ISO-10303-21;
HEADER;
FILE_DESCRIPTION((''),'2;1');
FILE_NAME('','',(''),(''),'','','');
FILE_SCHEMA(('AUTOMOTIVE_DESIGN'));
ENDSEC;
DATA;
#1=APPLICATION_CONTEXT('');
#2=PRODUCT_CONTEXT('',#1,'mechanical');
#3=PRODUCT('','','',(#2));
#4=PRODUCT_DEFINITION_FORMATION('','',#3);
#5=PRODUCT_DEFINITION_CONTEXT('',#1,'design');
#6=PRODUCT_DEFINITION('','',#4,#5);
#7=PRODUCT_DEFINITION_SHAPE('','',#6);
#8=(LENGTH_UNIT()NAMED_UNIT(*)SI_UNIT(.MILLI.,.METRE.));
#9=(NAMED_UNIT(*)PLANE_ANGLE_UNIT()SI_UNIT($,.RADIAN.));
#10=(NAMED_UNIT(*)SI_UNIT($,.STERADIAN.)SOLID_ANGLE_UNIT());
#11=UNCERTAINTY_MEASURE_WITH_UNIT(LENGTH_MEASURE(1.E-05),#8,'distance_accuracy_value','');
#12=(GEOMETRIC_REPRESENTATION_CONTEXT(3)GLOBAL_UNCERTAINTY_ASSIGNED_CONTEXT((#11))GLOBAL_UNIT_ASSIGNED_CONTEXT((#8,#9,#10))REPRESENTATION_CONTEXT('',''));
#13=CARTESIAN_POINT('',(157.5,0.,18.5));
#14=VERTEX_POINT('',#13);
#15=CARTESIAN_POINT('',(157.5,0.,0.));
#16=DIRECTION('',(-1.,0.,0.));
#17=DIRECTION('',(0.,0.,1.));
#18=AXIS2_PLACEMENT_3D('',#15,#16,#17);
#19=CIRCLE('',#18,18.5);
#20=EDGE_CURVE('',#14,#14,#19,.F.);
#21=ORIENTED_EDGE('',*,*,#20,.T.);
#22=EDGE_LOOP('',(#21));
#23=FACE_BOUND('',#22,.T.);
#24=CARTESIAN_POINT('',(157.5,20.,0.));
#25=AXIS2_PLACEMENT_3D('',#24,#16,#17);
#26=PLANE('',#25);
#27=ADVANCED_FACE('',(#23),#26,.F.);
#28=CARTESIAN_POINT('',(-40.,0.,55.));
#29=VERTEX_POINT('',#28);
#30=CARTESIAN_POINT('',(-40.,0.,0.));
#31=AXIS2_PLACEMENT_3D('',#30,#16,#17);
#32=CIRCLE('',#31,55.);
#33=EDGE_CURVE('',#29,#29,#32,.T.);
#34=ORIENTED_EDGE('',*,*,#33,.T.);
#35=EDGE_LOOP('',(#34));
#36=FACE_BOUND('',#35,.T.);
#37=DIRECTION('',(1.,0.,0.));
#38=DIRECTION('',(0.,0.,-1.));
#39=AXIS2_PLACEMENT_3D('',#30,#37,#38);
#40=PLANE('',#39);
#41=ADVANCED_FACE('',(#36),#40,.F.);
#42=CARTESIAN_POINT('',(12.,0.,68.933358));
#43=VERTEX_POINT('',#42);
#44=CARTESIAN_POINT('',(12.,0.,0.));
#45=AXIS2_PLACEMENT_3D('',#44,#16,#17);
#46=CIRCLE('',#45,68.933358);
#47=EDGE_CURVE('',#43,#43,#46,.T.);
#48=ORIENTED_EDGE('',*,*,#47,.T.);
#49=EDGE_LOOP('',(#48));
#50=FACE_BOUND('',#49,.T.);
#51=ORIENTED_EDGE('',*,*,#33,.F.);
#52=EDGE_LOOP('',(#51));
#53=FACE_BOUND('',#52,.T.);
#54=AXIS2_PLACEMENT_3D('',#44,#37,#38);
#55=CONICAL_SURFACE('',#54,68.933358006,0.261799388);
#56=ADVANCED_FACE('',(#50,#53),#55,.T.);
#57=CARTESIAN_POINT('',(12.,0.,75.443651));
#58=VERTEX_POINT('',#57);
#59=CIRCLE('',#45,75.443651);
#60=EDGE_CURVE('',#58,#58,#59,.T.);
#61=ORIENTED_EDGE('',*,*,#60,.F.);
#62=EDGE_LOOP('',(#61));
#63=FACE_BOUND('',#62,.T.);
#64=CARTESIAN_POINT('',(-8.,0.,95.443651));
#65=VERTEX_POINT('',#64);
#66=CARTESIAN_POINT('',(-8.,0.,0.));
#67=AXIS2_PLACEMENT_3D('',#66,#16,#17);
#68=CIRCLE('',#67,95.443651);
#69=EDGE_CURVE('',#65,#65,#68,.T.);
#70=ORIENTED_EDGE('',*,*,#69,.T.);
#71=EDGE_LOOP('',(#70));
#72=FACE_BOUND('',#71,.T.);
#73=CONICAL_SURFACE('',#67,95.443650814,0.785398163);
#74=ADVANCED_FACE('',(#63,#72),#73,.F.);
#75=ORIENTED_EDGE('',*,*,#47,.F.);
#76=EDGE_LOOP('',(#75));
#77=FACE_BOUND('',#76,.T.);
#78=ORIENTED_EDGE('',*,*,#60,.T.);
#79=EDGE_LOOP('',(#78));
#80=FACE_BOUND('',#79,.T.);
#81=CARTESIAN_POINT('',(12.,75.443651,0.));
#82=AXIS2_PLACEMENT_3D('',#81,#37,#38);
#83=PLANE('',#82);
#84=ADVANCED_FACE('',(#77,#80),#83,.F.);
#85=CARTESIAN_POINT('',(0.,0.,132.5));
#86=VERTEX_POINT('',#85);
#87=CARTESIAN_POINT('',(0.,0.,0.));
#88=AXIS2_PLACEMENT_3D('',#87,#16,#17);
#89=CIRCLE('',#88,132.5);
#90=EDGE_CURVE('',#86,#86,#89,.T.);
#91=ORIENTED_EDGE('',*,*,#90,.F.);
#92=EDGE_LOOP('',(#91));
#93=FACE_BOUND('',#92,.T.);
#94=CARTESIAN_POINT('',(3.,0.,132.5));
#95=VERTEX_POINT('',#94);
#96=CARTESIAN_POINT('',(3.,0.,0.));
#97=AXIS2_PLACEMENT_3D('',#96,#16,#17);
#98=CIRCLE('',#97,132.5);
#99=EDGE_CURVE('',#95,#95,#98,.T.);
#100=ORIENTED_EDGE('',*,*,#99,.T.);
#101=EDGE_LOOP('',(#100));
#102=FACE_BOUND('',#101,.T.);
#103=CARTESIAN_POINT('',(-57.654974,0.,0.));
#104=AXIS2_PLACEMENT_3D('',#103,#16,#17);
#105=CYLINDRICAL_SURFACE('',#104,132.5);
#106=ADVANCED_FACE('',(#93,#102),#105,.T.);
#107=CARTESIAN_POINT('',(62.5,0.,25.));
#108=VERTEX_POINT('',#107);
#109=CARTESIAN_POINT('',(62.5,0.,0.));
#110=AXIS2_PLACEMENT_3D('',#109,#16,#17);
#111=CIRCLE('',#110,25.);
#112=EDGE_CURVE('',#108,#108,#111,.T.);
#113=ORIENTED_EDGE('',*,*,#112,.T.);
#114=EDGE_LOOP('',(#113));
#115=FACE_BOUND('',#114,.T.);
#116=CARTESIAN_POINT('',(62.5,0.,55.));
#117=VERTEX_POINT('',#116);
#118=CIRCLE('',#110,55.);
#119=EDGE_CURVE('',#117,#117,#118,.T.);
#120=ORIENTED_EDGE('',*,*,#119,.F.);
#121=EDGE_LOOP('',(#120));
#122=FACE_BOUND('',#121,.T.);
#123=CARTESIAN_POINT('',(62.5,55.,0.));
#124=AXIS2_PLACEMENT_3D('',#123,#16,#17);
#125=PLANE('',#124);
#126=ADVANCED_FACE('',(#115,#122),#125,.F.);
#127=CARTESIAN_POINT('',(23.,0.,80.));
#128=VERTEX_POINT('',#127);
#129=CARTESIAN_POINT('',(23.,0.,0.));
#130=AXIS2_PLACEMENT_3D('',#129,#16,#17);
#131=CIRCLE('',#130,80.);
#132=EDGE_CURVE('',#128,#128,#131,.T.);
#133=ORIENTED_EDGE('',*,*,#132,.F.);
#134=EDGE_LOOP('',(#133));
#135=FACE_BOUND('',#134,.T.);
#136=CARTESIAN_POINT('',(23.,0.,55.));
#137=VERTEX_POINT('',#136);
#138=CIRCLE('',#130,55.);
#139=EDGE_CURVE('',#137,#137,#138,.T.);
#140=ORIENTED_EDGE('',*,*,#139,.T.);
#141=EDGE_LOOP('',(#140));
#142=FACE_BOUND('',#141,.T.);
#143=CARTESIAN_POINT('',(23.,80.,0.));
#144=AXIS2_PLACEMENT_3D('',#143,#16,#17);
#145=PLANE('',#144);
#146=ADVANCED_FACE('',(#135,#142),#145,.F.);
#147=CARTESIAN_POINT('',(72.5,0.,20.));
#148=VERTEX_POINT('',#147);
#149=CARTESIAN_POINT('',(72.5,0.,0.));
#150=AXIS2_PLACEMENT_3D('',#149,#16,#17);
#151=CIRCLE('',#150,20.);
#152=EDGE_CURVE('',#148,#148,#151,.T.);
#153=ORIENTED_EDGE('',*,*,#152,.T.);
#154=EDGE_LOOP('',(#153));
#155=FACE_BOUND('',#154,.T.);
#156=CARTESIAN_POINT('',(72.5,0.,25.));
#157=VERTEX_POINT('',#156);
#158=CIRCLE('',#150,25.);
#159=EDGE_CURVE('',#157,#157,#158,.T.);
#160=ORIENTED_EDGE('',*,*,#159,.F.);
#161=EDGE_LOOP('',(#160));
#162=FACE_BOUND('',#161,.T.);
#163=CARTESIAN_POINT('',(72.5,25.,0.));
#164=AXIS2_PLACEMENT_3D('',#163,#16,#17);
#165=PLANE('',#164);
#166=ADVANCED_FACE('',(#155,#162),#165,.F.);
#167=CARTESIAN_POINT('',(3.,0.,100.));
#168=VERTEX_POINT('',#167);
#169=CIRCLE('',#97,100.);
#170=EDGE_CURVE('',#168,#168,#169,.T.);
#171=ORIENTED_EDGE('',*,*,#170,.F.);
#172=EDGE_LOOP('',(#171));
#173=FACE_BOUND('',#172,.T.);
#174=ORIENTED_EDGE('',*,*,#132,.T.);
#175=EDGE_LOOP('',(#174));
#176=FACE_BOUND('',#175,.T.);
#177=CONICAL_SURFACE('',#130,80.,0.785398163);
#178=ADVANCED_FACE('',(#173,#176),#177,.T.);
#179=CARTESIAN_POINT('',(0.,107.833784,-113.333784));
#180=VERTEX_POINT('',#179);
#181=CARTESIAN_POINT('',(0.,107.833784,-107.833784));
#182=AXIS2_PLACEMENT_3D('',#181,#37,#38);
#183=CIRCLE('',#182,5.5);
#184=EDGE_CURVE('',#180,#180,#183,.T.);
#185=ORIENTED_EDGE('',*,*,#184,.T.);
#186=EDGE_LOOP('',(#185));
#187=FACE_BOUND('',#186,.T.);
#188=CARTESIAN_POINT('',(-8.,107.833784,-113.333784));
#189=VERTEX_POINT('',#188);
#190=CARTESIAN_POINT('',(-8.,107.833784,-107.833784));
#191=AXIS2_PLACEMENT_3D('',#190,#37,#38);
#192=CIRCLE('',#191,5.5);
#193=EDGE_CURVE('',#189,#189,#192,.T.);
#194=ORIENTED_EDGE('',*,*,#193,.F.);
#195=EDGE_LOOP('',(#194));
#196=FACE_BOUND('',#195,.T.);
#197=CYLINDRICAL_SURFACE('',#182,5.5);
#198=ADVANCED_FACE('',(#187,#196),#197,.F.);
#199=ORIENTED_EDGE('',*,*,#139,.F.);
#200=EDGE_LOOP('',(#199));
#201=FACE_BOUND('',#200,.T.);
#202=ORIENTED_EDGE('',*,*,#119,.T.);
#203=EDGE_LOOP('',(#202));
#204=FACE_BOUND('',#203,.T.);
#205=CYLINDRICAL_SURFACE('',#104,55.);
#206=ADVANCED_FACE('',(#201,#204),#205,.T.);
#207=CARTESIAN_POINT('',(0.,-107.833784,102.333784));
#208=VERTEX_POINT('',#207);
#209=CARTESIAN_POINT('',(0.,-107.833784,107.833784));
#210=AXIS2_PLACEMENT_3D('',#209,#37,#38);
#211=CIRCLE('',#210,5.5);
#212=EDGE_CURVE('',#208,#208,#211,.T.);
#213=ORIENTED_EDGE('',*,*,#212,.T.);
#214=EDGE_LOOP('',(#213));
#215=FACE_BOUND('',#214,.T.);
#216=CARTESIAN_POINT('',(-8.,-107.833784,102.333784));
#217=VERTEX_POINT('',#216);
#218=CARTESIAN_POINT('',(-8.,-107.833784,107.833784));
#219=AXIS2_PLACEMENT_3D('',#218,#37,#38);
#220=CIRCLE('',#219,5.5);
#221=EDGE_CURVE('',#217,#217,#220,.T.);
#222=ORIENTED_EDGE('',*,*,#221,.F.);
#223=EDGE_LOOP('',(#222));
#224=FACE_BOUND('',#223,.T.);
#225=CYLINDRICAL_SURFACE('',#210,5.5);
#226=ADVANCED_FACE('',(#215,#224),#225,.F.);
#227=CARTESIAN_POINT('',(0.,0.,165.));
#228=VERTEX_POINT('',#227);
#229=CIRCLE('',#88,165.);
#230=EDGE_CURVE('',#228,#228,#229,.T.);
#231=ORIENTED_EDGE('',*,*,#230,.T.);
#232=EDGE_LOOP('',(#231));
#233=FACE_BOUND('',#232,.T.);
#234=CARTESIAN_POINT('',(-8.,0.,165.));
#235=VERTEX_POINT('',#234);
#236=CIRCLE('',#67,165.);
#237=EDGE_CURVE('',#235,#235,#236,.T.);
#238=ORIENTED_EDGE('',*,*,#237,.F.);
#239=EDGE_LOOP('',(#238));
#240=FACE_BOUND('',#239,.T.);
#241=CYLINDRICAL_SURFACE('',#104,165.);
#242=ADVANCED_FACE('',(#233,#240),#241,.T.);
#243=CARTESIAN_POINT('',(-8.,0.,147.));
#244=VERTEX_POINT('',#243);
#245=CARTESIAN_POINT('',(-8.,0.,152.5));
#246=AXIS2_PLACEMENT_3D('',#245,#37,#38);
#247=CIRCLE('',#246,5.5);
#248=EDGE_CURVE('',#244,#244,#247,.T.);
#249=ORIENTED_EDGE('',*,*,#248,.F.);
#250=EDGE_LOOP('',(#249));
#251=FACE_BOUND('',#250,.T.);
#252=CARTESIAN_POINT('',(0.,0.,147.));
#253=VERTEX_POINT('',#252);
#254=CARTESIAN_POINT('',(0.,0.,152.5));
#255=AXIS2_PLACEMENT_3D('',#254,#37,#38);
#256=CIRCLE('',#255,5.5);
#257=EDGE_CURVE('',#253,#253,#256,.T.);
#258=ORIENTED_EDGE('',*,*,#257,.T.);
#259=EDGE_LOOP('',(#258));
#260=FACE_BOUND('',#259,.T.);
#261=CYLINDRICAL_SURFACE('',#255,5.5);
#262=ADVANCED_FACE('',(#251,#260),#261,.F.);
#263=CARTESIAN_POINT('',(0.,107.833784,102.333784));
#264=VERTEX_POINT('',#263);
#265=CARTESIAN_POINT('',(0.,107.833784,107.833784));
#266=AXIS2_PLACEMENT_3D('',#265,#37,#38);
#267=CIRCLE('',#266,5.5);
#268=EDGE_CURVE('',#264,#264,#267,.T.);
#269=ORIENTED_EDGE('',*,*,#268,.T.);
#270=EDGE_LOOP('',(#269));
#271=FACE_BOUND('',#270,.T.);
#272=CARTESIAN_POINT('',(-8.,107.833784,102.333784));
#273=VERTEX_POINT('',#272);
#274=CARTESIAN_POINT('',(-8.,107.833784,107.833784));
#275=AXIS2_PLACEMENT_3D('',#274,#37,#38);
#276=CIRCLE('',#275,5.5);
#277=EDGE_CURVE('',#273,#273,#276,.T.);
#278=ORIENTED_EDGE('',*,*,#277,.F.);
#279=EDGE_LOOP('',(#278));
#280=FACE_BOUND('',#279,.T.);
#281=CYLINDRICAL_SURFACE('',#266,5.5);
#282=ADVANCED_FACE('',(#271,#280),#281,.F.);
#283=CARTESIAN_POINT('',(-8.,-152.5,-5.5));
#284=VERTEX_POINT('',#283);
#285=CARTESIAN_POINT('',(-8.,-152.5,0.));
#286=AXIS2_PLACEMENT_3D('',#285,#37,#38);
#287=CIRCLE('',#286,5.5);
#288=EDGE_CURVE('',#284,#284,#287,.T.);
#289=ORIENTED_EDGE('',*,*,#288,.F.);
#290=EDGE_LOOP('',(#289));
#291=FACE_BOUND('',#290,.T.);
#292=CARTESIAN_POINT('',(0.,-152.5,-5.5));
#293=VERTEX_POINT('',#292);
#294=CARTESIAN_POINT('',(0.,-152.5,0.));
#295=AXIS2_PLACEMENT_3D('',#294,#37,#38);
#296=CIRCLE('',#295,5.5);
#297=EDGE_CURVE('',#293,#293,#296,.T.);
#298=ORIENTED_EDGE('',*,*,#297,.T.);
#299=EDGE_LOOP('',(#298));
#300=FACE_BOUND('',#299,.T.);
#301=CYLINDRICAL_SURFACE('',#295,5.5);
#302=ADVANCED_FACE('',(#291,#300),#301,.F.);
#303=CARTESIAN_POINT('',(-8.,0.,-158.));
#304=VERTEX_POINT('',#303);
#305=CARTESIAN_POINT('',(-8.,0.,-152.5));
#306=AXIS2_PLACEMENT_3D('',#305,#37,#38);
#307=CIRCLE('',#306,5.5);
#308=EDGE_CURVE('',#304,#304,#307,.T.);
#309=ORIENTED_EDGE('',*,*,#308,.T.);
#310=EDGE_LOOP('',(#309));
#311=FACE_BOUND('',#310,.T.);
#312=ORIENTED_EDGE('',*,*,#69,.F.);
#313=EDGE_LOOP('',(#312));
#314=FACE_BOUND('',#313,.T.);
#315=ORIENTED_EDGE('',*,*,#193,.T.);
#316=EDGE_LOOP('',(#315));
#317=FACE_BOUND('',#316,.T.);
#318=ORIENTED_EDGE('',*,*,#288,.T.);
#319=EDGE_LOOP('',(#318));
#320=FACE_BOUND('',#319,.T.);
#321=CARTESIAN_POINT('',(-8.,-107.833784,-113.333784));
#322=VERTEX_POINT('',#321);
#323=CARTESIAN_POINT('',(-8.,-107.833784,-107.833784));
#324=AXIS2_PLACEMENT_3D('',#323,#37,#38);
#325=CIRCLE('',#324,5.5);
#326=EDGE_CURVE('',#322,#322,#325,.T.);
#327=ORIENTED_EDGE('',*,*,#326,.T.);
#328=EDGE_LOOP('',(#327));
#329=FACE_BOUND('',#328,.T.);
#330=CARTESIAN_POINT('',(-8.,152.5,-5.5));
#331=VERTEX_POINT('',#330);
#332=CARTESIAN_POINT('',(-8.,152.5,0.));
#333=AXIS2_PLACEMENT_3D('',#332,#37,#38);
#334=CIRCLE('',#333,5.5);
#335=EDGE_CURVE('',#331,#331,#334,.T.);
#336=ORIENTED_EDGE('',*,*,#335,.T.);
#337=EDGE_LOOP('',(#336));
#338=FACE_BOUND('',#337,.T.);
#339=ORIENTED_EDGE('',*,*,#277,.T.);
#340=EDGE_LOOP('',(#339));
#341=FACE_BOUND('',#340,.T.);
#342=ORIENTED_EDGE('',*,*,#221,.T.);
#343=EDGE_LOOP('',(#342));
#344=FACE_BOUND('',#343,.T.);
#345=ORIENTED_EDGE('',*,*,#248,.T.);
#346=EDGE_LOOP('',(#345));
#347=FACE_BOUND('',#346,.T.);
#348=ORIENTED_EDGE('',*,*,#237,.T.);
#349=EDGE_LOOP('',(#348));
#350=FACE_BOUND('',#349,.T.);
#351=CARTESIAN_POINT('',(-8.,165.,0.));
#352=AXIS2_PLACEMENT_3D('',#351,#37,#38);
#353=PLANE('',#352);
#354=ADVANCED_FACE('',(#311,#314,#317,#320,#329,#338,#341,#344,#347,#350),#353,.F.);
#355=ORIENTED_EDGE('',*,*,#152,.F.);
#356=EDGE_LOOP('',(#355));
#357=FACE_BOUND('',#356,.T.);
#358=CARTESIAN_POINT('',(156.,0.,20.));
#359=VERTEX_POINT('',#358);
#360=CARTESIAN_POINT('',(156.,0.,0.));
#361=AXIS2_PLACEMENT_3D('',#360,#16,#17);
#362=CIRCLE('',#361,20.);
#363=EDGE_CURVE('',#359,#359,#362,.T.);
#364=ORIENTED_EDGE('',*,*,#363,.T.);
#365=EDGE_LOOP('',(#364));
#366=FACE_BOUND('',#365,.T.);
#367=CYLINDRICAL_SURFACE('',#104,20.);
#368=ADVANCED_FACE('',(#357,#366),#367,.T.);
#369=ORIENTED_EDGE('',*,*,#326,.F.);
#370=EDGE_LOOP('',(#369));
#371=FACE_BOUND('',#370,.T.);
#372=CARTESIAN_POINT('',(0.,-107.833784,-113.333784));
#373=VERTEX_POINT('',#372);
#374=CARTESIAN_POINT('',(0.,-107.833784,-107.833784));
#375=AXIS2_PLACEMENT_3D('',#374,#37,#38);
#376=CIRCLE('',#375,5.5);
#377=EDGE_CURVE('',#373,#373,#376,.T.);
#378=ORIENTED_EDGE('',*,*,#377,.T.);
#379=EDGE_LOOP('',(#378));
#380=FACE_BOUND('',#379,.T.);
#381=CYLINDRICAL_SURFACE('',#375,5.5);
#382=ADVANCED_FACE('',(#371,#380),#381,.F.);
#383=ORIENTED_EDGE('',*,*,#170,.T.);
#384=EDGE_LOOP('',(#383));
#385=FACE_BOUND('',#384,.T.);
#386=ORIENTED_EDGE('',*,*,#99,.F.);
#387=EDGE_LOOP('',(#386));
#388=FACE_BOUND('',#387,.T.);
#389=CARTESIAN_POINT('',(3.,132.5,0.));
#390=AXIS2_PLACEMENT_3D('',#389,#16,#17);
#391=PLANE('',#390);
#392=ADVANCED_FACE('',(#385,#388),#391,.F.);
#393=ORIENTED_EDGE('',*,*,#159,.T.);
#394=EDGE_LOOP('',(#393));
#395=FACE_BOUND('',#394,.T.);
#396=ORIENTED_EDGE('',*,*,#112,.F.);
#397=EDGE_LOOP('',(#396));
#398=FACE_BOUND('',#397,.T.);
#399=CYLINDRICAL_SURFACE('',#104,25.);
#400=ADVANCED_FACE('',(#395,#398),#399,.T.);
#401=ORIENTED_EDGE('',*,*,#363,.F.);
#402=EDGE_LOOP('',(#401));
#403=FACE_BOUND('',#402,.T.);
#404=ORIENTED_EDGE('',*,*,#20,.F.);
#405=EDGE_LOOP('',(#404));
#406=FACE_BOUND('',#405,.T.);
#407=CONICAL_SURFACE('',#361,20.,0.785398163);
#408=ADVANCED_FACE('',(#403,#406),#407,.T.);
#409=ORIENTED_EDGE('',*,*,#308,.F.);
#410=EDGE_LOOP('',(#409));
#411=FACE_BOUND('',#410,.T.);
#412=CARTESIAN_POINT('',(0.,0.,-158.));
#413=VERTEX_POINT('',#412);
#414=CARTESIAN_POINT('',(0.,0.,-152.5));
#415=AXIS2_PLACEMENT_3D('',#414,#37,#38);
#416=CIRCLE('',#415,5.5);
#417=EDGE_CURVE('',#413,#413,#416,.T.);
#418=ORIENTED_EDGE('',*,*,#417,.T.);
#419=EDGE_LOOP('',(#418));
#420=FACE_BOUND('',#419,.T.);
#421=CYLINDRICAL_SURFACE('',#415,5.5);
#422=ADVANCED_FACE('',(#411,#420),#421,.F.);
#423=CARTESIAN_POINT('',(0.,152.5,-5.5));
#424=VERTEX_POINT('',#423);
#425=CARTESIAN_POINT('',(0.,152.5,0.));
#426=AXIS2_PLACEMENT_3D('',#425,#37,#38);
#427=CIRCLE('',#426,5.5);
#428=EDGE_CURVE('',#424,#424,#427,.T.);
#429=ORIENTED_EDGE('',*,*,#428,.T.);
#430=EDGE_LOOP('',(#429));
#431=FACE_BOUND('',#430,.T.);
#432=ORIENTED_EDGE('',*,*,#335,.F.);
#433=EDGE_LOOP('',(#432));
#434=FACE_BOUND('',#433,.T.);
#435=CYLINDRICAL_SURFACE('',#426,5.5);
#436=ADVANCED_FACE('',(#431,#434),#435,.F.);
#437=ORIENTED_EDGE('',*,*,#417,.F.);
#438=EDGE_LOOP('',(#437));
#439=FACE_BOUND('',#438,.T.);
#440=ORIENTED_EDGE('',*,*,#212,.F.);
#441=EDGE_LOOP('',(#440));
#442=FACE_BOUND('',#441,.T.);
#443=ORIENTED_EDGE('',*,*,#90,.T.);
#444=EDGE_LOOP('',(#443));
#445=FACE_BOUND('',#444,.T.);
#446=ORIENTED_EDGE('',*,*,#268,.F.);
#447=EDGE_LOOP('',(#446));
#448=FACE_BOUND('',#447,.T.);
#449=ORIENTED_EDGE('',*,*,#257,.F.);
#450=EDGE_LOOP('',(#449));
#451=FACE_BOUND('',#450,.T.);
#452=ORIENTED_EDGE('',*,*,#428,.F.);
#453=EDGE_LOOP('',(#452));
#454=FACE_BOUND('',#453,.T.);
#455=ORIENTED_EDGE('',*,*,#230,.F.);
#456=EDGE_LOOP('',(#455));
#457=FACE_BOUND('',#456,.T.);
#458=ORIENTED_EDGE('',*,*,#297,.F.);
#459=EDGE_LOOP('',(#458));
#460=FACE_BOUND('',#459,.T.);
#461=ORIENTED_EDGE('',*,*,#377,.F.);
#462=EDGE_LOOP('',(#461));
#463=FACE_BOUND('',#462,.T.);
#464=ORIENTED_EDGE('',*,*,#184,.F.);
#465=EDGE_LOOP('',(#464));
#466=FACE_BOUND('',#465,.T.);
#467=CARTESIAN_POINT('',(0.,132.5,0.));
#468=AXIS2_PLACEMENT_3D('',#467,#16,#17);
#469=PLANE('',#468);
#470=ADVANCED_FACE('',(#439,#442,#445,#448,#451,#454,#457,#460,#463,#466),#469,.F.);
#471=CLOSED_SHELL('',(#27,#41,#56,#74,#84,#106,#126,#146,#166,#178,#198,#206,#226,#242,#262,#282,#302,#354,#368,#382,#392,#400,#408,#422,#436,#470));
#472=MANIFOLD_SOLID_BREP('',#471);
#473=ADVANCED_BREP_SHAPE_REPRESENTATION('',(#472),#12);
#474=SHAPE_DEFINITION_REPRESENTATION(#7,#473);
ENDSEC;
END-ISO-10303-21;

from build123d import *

# Parameters (mm, degrees)
FASE1_SIZE                = 1.5
DURCHGANGSLOCH_F_R_M101_D = 11
KREISMUSTER1_COUNT        = 8


with BuildPart() as part:
    # Skizze3 → Rotation1 (revolve)
    with BuildSketch(Plane.XY, mode=Mode.PRIVATE) as rotation1_sk:
        Polygon((0, 132.5), (0, 165), (-8, 165), (-8, 95.443650814), (12, 75.443650814), (12, 68.933358006), (-40, 55), (-40, 0), (157.5, 0), (157.5, 20), (72.5, 20), (72.5, 25), (62.5, 25), (62.5, 55), (23, 55), (23, 80), (3, 100), (3, 132.5), align=None)
    revolve(rotation1_sk.sketch.rotate(Axis((-57.654973763, 0, 0), (1, 0, 0)), 90), axis=Axis((-57.654973763, 0, 0), (1, 0, 0)))

    # Fase1
    fase1_edges = [part.edges().sort_by_distance(p)[0] for p in [
        (157.5, 0, -20),
    ]]
    chamfer(fase1_edges, length=FASE1_SIZE)

    # Durchgangsloch für M101 (through all)
    with Locations(Plane(origin=(0, 0, 0), x_dir=(0, 0, -1), z_dir=(1, 0, 0))):
        with Locations((0, 152.5)):
            durchgangsloch_f_r_m101 = Hole(DURCHGANGSLOCH_F_R_M101_D / 2)

    # Kreismuster1: Durchgangsloch für M101 ×8 about axis
    kreismuster1_axis = Axis((0, 0, 0), (1, 0, 0))
    for i in range(1, KREISMUSTER1_COUNT):
        add(durchgangsloch_f_r_m101.rotate(kreismuster1_axis, i * 360 / KREISMUSTER1_COUNT), mode=Mode.SUBTRACT)


solid = part.part
